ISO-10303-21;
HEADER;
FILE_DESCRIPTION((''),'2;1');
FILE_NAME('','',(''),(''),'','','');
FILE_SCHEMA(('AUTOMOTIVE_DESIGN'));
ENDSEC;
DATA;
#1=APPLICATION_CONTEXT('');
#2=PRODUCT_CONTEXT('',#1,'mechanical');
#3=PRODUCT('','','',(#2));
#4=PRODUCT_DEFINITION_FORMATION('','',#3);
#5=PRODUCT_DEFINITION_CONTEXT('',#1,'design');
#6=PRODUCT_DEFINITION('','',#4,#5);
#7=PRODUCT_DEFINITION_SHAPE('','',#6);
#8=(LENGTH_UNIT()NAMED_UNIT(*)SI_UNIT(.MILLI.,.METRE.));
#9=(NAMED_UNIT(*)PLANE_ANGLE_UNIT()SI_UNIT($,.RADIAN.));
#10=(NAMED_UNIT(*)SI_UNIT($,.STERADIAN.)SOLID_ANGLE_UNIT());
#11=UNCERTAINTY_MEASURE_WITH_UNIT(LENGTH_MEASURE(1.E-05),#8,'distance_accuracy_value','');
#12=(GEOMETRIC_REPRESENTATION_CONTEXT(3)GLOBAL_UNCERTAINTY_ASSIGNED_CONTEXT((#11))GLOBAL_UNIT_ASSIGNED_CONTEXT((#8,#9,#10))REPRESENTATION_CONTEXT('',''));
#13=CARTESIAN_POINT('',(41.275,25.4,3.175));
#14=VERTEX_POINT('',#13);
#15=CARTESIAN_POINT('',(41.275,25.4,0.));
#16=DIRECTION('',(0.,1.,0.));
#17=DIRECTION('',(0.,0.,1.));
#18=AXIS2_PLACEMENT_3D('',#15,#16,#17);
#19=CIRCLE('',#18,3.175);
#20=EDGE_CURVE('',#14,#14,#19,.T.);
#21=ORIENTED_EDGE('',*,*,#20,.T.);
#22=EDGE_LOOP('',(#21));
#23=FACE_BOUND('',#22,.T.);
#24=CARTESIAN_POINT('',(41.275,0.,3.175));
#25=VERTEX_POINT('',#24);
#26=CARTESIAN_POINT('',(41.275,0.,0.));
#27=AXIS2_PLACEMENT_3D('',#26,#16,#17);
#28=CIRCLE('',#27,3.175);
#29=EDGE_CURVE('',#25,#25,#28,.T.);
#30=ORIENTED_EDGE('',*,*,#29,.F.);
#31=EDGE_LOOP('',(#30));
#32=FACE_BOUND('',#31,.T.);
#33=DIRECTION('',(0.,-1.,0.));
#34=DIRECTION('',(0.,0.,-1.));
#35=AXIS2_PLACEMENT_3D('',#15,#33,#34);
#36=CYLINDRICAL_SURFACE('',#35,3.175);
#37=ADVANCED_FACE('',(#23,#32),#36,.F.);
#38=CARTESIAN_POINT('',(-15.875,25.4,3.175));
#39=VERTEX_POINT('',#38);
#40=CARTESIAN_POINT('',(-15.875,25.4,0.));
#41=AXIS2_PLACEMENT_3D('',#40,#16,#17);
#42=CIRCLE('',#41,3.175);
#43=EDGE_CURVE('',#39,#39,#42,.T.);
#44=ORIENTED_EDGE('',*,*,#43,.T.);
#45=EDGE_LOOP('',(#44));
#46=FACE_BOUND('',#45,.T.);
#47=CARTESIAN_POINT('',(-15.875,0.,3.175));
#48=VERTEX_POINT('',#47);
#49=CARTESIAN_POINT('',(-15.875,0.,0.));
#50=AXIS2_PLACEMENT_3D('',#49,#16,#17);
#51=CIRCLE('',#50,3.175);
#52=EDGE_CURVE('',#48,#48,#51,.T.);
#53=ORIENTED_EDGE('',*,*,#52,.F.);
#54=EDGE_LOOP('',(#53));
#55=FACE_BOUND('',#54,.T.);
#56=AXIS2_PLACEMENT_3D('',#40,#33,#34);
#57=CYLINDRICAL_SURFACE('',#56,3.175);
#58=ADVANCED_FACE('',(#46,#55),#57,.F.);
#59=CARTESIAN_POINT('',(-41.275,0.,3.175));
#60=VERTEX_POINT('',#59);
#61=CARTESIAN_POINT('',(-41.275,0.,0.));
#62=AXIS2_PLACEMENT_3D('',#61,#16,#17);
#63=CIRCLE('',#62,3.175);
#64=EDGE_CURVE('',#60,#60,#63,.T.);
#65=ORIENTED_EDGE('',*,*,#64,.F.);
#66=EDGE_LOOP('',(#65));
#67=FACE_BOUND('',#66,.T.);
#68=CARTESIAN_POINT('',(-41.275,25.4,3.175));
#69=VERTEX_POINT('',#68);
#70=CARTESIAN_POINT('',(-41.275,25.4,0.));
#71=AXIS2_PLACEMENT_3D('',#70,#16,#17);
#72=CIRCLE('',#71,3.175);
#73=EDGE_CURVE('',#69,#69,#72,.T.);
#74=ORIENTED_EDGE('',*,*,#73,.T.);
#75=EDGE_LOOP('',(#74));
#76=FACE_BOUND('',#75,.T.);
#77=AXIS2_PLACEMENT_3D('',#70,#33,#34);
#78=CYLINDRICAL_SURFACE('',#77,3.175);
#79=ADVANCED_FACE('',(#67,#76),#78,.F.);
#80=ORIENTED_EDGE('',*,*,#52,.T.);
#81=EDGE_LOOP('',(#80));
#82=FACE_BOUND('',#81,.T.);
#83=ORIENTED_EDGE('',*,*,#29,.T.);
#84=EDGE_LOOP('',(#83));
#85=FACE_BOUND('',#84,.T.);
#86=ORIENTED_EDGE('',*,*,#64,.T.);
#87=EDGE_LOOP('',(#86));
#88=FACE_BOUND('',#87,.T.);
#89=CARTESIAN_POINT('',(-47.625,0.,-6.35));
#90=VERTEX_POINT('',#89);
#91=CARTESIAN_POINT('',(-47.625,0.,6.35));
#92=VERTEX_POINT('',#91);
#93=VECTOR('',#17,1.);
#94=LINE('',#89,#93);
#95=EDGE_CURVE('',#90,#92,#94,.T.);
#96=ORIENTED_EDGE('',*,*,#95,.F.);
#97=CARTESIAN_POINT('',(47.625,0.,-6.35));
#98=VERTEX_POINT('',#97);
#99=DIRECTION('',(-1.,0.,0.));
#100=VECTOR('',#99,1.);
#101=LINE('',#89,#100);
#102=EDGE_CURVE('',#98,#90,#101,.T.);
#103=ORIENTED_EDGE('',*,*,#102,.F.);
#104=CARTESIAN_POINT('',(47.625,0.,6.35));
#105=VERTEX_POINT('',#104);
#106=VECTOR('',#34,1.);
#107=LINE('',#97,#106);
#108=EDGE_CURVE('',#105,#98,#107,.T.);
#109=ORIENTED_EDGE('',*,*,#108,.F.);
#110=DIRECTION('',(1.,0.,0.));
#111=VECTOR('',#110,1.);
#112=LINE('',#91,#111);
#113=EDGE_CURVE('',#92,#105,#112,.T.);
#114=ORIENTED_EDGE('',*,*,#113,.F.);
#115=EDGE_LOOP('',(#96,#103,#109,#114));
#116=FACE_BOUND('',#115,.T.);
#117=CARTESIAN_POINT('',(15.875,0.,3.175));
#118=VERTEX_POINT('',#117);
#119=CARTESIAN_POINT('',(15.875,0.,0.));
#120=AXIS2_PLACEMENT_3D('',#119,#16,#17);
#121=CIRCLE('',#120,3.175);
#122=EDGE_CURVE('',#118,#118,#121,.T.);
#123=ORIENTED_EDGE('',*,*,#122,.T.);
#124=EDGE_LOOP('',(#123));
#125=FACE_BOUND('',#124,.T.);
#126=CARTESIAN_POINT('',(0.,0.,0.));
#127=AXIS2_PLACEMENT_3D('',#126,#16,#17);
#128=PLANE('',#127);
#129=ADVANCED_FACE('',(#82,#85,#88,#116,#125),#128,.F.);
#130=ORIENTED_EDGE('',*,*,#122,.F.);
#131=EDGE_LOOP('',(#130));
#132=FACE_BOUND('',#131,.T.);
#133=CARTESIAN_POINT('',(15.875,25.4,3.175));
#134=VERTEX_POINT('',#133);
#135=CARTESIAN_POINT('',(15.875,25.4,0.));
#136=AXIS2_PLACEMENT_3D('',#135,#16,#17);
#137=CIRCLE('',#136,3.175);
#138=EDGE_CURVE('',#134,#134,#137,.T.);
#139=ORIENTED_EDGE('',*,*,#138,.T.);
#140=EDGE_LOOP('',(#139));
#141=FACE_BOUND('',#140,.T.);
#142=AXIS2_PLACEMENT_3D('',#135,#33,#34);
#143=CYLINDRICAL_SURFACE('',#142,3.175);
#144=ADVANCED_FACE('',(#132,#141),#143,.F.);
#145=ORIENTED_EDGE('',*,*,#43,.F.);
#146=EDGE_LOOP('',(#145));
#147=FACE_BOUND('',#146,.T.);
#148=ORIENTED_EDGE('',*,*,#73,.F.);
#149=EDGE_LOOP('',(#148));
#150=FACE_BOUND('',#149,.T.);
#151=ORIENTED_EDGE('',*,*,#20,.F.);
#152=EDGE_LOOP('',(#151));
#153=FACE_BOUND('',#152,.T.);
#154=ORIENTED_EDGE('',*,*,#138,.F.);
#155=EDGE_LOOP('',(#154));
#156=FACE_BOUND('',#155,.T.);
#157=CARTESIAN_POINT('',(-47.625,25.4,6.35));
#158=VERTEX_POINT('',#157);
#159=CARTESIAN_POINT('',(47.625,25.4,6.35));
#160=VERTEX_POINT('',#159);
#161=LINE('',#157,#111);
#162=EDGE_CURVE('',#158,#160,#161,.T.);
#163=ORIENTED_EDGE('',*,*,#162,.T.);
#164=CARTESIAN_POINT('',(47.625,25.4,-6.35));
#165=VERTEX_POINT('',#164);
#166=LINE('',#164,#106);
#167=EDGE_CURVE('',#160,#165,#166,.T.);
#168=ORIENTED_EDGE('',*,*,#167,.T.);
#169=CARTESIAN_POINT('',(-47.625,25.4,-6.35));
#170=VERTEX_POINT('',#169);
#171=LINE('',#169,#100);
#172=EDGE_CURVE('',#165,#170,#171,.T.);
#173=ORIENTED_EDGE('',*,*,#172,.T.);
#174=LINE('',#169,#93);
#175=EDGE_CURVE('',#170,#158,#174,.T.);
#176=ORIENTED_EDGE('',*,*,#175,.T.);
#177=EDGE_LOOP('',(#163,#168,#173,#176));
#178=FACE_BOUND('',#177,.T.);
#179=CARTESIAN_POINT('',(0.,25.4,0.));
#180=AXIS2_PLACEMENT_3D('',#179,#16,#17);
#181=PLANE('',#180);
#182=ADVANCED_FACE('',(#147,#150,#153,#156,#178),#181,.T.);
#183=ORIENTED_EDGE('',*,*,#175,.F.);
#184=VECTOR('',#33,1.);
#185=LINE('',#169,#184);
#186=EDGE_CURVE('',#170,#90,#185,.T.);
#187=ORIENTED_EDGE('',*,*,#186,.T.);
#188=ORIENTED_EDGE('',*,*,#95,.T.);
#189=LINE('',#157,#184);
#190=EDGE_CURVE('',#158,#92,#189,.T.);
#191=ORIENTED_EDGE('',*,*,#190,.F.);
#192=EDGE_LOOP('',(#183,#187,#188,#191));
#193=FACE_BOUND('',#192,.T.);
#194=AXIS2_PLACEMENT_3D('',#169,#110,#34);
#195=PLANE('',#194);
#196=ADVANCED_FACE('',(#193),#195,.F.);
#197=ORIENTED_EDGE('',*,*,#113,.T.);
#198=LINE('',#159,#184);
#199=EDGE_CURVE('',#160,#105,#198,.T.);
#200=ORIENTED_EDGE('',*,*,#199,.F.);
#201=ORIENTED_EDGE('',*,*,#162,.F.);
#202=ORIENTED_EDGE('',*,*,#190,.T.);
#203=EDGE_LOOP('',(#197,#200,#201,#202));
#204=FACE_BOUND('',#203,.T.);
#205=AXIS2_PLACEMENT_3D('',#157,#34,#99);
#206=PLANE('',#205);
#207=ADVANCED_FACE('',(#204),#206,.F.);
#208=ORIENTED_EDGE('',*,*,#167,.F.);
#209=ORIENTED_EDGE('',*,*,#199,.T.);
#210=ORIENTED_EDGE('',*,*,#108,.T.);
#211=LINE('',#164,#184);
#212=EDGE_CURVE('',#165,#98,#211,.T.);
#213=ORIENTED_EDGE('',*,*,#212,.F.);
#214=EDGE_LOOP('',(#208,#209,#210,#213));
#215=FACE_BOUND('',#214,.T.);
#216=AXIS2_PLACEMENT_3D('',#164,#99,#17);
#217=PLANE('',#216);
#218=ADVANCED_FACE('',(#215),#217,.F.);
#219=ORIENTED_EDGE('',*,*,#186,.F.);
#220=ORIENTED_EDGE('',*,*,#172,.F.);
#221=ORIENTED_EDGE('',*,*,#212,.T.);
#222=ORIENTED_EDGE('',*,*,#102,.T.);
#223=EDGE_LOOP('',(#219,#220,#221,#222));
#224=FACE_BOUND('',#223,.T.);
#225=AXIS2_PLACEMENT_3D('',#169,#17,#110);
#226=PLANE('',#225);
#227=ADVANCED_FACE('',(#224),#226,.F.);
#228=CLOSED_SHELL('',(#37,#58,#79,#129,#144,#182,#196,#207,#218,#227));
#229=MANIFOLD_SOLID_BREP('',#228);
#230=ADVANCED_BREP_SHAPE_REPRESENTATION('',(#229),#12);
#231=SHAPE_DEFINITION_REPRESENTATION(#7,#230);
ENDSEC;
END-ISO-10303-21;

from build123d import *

# Parameters (mm, degrees)
SKETCH1_W           = 95.25
SKETCH1_H           = 12.7
SKETCH1_R           = 3.175
BOSS_EXTRUDE1_DEPTH = 25.4


with BuildPart() as part:
    # Sketch1 → Boss-Extrude1 (new body)
    with BuildSketch(Plane(origin=(0, 0, 0), x_dir=(1, 0, 0), z_dir=(0, 1, 0))):
        Rectangle(SKETCH1_W, SKETCH1_H)
        with Locations((-41.275, 0)):
            Circle(SKETCH1_R, mode=Mode.SUBTRACT)
        with Locations((41.275, 0)):
            Circle(SKETCH1_R, mode=Mode.SUBTRACT)
        with Locations((-15.875, 0)):
            Circle(SKETCH1_R, mode=Mode.SUBTRACT)
        with Locations((15.875, 0)):
            Circle(SKETCH1_R, mode=Mode.SUBTRACT)
    extrude(amount=BOSS_EXTRUDE1_DEPTH)


solid = part.part
